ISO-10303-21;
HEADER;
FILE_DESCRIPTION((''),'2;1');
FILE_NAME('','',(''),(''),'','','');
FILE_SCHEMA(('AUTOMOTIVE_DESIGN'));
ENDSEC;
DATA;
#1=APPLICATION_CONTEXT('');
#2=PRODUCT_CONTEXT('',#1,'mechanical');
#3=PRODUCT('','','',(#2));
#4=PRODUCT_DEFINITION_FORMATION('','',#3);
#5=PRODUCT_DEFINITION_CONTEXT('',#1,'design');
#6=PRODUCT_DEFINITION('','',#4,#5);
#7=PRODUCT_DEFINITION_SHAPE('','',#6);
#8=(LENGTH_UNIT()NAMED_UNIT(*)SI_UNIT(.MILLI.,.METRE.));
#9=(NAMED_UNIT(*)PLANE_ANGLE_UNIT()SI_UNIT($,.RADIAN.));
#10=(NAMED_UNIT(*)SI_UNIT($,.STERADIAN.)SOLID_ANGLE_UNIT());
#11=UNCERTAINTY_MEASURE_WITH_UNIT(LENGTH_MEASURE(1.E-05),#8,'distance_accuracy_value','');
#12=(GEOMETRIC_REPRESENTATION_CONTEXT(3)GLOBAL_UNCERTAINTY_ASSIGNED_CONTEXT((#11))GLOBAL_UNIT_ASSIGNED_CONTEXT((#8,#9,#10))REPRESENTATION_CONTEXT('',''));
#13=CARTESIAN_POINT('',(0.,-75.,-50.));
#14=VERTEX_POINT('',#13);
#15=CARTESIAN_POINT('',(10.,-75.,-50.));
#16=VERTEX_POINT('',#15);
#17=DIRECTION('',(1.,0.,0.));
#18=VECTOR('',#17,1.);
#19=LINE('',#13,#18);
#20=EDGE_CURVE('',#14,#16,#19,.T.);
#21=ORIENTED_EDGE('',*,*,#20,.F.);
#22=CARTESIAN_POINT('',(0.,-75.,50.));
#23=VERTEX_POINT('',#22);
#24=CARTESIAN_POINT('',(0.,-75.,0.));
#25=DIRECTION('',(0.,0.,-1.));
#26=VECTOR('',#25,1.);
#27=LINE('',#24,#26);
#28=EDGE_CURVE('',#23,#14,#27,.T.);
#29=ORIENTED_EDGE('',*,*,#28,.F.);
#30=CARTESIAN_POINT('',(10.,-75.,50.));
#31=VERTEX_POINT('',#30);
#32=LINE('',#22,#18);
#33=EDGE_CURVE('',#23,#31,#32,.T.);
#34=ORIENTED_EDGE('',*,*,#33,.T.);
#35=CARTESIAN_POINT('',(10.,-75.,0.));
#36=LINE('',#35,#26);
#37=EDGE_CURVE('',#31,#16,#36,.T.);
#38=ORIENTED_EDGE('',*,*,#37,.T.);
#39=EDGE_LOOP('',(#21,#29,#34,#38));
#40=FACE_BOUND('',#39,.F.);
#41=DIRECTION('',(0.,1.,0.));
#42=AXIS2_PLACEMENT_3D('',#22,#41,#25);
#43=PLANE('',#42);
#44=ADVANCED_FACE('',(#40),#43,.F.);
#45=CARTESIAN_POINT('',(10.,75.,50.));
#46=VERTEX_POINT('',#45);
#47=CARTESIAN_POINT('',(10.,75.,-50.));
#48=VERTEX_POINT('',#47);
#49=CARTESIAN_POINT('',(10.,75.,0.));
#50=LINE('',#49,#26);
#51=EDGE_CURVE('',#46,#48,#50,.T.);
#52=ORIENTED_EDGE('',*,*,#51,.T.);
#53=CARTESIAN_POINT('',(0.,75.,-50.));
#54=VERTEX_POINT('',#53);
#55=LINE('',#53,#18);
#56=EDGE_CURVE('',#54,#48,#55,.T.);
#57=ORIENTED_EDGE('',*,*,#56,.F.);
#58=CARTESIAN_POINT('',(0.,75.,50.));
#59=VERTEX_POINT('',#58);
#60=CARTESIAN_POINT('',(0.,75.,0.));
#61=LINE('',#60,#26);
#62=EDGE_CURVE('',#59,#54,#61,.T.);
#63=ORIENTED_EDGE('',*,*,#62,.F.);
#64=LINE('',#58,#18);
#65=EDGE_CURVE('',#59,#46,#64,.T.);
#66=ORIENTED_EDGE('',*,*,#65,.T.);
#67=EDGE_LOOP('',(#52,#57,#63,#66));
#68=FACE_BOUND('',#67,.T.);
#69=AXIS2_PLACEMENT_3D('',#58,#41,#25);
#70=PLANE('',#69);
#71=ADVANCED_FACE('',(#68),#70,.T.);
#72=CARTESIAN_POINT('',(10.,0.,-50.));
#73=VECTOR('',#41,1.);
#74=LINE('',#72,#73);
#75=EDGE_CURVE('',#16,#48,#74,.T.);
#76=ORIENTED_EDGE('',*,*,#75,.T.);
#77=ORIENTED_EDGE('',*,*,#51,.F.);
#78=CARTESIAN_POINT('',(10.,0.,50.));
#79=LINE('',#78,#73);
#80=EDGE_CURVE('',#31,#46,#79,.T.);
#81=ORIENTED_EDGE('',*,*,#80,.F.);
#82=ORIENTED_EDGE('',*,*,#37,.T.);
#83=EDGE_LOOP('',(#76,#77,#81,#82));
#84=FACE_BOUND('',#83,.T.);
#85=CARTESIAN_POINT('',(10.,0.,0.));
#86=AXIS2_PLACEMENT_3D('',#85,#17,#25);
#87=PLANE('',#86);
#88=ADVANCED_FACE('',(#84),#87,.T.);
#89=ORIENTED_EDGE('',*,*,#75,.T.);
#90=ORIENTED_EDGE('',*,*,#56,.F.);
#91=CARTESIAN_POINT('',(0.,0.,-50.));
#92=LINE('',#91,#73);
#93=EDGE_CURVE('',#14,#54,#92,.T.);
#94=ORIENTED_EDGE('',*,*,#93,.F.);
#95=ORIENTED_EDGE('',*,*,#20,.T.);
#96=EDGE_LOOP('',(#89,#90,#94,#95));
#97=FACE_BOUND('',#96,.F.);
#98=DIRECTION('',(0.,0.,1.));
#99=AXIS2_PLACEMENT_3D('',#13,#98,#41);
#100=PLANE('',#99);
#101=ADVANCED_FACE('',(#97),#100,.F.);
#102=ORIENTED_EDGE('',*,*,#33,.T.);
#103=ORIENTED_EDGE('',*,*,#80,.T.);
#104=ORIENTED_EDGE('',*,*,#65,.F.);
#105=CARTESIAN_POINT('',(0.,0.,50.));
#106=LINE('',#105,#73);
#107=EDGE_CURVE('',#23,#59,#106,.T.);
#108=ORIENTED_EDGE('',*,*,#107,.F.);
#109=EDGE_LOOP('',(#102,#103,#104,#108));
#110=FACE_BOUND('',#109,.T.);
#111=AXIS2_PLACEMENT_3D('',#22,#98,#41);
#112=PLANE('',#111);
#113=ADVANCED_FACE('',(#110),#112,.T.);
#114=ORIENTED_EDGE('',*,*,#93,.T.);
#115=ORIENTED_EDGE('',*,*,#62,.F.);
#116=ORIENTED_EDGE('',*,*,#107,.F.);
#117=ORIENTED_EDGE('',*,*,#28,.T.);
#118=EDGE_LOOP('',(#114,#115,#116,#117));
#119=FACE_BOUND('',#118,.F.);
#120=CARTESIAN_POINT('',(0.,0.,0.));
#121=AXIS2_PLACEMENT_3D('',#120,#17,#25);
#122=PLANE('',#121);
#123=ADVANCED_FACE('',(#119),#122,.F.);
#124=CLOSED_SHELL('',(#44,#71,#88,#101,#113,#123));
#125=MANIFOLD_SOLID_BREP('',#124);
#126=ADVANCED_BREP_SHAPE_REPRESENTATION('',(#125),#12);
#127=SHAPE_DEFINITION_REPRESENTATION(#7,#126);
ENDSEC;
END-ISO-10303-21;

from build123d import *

# Parameters (mm, degrees)
SKETCH1_W           = 100
SKETCH1_H           = 150
BOSS_EXTRUDE1_DEPTH = 10


with BuildPart() as part:
    # Sketch1 → Boss-Extrude1 (new body)
    with BuildSketch(Plane(origin=(0, 0, 0), x_dir=(0, 0, -1), z_dir=(1, 0, 0))):
        Rectangle(SKETCH1_W, SKETCH1_H)
    extrude(amount=BOSS_EXTRUDE1_DEPTH)


solid = part.part
